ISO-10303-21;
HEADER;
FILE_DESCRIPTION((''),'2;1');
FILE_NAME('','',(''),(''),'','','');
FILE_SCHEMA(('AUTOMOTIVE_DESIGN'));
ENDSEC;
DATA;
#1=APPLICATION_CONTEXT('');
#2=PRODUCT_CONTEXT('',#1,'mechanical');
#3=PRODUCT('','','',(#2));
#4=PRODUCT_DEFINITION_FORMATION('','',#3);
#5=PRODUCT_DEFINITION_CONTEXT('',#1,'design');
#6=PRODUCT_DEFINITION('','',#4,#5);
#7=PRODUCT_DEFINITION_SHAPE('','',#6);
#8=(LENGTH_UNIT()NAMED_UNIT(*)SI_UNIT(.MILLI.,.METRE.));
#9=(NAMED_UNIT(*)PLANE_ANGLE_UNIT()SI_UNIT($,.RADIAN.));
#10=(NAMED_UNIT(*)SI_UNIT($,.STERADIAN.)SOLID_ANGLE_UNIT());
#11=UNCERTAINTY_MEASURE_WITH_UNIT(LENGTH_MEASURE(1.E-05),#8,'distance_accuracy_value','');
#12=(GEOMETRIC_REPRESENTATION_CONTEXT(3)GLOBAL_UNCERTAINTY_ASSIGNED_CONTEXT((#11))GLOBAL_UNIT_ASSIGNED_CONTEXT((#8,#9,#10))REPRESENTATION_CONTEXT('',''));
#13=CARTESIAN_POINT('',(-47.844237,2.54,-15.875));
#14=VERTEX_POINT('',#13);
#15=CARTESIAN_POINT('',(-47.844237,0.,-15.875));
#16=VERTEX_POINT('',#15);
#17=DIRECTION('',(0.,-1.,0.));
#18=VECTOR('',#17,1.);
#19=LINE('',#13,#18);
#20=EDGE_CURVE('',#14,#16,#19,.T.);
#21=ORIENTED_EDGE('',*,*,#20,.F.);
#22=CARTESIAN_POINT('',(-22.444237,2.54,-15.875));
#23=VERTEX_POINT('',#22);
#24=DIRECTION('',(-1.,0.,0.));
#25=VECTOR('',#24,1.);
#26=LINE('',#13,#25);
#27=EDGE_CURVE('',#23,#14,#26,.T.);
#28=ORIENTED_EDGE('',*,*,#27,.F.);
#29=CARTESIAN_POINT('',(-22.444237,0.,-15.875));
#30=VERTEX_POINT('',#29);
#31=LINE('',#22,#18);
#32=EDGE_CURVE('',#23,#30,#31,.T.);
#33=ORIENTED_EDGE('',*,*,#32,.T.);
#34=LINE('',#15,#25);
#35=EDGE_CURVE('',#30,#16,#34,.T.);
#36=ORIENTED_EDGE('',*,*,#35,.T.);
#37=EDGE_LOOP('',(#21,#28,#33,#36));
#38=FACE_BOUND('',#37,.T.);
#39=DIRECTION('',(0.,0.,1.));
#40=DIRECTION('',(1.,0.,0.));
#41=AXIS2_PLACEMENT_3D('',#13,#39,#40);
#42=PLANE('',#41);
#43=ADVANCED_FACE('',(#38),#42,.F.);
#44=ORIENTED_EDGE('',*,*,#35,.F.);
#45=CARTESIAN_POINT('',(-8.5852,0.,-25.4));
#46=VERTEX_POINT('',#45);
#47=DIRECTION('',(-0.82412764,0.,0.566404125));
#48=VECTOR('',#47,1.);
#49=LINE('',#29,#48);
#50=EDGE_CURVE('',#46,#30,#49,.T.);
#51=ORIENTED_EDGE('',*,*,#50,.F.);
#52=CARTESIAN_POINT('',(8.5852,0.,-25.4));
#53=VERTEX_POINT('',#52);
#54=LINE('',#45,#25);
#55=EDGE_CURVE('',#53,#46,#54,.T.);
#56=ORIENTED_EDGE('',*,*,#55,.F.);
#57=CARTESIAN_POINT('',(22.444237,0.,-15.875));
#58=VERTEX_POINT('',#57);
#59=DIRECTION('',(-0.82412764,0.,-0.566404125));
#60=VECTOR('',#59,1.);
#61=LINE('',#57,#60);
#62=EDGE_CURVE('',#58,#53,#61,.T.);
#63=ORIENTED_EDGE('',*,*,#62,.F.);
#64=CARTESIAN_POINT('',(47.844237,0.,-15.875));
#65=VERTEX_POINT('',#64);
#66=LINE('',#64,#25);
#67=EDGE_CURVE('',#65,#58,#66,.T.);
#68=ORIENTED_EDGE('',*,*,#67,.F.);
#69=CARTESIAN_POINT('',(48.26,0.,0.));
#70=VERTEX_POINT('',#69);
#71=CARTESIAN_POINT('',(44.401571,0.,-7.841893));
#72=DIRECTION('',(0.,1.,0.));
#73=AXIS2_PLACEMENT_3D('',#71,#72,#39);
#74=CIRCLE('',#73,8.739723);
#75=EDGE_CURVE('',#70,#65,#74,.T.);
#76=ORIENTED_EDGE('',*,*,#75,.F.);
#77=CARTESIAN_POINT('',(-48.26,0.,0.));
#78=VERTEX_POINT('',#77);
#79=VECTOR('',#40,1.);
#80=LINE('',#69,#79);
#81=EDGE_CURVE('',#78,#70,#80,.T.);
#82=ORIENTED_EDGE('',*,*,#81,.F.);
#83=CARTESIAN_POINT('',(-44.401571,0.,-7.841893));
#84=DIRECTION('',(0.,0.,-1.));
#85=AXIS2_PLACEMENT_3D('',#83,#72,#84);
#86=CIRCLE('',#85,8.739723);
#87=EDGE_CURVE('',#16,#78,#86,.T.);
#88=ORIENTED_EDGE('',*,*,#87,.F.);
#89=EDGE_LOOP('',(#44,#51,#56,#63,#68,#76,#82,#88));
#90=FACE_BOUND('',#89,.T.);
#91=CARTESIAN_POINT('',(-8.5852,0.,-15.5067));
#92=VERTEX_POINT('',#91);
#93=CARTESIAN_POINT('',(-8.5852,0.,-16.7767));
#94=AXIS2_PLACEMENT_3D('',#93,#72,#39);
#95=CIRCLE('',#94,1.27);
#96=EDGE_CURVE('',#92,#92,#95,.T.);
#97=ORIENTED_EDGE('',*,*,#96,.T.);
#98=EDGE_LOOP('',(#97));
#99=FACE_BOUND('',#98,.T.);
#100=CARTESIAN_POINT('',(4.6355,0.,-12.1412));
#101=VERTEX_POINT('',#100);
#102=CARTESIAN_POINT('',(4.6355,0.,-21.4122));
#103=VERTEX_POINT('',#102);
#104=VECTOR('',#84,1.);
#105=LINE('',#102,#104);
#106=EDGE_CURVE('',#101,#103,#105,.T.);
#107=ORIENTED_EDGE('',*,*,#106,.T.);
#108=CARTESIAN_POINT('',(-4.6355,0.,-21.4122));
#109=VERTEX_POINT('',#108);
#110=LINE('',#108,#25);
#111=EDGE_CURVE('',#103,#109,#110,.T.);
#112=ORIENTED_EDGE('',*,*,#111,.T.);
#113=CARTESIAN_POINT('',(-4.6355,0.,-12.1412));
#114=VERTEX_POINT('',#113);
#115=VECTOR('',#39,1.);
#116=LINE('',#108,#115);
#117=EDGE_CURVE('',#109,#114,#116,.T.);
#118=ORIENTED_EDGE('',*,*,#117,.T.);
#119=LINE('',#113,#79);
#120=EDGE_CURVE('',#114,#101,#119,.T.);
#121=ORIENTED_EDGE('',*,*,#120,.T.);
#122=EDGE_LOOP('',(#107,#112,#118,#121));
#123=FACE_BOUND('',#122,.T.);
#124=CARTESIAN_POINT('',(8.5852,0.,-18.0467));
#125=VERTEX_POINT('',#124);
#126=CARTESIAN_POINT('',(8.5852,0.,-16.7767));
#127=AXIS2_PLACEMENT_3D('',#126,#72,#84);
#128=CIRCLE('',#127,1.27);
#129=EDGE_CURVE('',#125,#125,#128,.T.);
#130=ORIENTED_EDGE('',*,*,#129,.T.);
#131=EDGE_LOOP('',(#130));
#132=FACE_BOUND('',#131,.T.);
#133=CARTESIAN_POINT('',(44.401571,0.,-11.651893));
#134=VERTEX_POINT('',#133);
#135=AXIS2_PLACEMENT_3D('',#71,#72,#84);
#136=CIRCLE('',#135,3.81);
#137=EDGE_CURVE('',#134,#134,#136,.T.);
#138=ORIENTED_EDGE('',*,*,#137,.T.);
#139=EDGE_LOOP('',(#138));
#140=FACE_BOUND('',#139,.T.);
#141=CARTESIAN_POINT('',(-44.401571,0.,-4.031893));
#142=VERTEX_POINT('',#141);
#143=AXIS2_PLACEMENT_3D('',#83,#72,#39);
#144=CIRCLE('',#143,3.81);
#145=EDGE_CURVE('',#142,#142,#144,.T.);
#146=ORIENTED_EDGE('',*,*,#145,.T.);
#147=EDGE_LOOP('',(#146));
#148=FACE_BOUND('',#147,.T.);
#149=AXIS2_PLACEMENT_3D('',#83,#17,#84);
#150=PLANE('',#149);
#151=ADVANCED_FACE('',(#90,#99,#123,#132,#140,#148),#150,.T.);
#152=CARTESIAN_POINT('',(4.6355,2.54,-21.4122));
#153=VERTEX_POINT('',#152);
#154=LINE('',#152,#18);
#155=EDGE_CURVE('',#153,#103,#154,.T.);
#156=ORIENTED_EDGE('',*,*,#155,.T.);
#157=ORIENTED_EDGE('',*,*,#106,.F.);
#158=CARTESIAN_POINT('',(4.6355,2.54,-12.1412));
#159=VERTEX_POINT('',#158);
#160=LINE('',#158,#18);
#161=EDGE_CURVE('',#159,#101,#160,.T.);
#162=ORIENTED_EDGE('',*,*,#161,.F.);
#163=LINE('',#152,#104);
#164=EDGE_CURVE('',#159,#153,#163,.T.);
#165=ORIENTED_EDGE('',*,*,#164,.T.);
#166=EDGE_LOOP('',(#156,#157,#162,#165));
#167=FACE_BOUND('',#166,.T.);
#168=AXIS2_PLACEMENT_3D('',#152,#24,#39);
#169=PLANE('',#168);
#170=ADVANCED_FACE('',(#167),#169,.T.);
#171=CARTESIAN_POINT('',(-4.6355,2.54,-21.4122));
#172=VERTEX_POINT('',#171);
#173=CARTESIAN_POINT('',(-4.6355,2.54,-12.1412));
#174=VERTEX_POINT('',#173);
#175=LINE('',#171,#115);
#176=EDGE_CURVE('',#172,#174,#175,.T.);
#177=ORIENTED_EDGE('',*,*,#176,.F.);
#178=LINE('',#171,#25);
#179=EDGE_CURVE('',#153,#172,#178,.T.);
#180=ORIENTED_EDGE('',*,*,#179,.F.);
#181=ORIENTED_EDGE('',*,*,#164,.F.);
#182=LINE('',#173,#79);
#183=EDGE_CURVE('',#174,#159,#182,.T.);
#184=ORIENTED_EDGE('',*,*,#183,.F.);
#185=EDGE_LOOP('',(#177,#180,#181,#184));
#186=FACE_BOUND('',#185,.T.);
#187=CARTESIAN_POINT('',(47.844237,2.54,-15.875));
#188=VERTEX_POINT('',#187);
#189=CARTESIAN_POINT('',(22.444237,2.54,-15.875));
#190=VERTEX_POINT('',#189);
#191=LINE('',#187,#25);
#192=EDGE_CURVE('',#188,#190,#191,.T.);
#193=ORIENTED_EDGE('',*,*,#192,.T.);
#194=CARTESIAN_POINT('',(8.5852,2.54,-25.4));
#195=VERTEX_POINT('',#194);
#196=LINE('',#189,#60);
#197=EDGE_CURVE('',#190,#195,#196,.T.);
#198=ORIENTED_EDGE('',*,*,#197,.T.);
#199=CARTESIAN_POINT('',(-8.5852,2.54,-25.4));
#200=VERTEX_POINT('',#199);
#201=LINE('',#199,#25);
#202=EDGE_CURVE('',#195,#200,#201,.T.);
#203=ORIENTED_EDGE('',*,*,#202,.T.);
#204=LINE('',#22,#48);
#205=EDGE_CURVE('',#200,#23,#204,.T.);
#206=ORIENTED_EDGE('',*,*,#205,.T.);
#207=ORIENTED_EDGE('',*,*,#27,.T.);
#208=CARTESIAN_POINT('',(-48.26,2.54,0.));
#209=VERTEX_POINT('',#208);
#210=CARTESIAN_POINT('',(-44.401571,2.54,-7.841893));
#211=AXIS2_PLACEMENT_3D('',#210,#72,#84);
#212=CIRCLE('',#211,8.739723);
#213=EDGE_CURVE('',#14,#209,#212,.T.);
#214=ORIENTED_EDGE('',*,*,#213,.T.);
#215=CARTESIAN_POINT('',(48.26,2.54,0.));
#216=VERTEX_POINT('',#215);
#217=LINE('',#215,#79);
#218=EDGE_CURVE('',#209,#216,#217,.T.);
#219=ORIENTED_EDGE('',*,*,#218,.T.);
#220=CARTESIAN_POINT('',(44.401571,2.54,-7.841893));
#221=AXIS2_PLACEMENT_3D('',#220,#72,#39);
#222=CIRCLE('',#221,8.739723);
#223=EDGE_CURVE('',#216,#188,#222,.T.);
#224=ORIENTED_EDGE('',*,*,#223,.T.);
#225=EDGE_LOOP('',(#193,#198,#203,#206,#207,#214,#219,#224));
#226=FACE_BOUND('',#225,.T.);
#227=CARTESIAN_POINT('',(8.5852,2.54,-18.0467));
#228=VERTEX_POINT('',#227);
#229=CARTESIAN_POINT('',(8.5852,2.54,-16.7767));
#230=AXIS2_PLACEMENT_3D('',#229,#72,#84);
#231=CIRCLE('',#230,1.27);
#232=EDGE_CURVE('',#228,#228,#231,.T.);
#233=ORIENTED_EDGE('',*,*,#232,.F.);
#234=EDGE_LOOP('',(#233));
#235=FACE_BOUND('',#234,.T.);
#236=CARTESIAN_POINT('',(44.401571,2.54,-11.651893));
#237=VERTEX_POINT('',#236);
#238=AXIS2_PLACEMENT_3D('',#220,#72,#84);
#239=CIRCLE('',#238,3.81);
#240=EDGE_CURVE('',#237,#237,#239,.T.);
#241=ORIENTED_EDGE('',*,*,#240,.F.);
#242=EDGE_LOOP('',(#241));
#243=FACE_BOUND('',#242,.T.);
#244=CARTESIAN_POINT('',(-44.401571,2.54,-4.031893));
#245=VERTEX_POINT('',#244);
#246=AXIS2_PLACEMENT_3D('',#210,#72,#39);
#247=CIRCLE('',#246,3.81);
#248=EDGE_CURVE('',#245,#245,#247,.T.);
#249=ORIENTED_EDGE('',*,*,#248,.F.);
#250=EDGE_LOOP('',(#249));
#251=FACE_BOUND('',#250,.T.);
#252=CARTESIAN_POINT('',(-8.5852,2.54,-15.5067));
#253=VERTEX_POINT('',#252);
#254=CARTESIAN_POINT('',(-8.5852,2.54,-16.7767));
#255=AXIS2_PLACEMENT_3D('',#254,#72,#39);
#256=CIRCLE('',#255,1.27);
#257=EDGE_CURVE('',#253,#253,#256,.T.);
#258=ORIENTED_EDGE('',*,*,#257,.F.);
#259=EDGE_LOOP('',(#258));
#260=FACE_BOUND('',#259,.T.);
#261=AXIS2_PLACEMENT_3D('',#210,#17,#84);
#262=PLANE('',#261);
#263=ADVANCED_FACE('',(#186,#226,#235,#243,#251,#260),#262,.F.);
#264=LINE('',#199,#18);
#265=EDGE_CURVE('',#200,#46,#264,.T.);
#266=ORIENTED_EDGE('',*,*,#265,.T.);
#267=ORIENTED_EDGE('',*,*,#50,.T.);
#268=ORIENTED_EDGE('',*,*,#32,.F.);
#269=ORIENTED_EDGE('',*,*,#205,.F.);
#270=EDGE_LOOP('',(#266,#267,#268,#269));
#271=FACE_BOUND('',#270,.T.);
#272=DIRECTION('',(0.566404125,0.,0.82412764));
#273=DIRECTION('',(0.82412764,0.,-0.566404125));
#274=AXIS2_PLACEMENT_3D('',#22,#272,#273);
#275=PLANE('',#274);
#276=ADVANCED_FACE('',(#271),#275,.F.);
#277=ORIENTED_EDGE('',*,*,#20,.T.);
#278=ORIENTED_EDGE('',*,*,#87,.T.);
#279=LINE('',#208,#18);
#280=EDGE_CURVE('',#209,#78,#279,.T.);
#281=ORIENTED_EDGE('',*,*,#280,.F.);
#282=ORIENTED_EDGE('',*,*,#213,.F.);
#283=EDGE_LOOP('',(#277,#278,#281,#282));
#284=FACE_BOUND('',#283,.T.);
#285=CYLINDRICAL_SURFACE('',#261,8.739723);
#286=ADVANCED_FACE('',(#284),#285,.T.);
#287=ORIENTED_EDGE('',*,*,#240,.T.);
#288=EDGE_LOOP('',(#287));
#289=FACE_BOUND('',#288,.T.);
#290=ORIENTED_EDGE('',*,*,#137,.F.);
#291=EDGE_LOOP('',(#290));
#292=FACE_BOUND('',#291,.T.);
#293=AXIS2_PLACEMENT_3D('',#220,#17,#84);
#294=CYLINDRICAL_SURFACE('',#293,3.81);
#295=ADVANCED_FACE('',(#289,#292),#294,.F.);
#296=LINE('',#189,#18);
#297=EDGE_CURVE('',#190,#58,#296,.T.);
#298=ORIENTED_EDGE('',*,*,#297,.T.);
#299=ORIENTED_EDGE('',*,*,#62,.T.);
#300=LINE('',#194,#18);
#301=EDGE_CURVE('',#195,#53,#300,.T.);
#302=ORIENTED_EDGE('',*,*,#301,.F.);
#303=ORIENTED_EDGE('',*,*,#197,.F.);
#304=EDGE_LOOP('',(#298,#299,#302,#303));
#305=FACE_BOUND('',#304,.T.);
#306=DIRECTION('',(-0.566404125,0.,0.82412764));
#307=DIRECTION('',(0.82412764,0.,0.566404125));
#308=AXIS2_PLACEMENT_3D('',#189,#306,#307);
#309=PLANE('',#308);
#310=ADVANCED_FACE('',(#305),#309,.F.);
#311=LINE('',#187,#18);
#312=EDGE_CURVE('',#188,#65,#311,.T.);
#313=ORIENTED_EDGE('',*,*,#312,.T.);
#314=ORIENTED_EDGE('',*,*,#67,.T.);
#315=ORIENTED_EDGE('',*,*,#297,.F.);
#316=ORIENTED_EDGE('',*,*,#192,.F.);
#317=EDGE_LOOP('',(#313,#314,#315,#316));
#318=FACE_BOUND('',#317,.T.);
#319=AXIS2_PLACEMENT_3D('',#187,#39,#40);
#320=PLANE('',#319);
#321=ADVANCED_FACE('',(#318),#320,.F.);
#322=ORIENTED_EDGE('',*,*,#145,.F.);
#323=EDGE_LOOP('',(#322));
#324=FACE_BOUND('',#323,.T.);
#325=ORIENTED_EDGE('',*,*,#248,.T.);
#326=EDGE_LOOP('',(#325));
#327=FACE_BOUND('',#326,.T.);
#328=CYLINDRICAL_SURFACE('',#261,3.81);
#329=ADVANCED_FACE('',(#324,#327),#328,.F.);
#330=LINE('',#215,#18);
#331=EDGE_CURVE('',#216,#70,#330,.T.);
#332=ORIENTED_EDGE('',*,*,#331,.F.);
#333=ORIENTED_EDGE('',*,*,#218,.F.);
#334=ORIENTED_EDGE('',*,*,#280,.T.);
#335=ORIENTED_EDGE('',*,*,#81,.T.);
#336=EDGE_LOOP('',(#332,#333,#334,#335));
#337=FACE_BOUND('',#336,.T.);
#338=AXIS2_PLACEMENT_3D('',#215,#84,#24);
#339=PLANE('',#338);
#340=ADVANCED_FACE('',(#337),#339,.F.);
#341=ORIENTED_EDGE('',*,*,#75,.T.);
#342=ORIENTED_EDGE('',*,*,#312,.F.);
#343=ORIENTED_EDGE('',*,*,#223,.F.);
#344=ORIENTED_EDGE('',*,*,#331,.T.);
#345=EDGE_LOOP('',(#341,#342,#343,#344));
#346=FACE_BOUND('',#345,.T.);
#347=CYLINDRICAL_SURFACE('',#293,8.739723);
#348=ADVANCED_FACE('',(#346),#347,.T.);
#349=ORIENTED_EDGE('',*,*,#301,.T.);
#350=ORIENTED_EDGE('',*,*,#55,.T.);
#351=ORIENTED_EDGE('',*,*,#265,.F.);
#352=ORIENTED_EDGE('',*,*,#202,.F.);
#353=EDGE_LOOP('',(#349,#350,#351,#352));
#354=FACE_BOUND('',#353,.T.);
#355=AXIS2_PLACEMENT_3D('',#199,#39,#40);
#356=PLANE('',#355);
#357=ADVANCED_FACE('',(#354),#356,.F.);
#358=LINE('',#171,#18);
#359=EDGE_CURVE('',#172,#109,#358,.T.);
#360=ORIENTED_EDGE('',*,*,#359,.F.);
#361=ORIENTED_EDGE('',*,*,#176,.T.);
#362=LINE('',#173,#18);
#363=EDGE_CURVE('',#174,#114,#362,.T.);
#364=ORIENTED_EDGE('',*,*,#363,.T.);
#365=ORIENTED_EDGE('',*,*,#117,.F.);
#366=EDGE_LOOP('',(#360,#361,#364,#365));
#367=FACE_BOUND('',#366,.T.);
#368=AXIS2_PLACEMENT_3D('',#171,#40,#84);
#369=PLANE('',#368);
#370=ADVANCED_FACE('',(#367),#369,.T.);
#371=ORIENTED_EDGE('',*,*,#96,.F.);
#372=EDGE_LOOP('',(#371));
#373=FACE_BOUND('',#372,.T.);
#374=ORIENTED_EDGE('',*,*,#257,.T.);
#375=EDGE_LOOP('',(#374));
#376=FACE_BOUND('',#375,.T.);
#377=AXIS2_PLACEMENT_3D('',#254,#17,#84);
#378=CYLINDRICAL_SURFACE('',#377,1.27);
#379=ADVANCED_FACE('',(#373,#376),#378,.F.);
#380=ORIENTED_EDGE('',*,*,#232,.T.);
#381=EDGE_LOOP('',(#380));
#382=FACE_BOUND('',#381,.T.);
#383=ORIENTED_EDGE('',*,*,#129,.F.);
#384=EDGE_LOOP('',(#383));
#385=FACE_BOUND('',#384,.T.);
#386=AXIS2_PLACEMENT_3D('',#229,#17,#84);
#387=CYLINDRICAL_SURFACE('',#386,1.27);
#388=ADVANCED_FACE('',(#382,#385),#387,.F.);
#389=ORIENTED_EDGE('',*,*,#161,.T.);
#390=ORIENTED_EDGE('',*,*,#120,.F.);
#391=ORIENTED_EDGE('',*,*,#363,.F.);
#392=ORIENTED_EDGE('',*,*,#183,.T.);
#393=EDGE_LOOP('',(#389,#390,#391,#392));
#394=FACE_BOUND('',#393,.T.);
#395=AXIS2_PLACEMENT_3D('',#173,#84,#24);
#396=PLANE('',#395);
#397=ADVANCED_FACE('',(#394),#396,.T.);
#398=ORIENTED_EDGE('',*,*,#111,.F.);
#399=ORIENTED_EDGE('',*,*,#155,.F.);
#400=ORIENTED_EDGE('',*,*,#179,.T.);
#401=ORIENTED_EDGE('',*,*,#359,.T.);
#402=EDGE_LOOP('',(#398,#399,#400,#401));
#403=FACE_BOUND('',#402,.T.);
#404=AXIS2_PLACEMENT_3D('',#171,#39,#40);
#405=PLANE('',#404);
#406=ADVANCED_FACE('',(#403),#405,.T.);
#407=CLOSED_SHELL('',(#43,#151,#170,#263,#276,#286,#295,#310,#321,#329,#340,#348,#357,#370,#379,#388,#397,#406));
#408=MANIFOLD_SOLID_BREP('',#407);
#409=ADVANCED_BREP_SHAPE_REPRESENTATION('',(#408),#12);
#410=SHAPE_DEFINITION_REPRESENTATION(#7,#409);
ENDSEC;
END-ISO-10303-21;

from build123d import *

# Parameters (mm, degrees)
SKETCH1_R           = 1.27
SKETCH1_R_2         = 3.81
SKETCH1_W           = 9.271
SKETCH1_H           = 9.271
BOSS_EXTRUDE1_DEPTH = 2.54


with BuildPart() as part:
    # Sketch1 → Boss-Extrude1 (new body)
    with BuildSketch(Plane(origin=(0, 0, 0), x_dir=(1, 0, 0), z_dir=(0, 1, 0))):
        with BuildLine():
            Line((48.26, 0), (-48.26, 0))
            ThreePointArc((-48.26, 0), (-53.138298297, 8.070705976), (-47.844237094, 15.875))
            Line((-47.844237094, 15.875), (-22.444237094, 15.875))
            Line((-22.444237094, 15.875), (-8.5852, 25.4))
            Line((-8.5852, 25.4), (8.5852, 25.4))
            Line((8.5852, 25.4), (22.444237094, 15.875))
            Line((22.444237094, 15.875), (47.844237094, 15.875))
            ThreePointArc((47.844237094, 15.875), (53.138298297, 8.070705976), (48.26, 0))
        make_face()
        with Locations(Location((-8.5852, 16.7767, 0), (0, 0, 270))):
            Circle(SKETCH1_R, mode=Mode.SUBTRACT)
        with Locations(Location((8.5852, 16.7767, 0), (0, 0, 90))):
            Circle(SKETCH1_R, mode=Mode.SUBTRACT)
        with Locations(Location((-44.401571021, 7.841892929, 0), (0, 0, 270))):
            Circle(SKETCH1_R_2, mode=Mode.SUBTRACT)
        with Locations(Location((44.401571021, 7.841892929, 0), (0, 0, 90))):
            Circle(SKETCH1_R_2, mode=Mode.SUBTRACT)
        with Locations((0, 16.7767)):
            Rectangle(SKETCH1_W, SKETCH1_H, mode=Mode.SUBTRACT)
    extrude(amount=BOSS_EXTRUDE1_DEPTH)


solid = part.part
